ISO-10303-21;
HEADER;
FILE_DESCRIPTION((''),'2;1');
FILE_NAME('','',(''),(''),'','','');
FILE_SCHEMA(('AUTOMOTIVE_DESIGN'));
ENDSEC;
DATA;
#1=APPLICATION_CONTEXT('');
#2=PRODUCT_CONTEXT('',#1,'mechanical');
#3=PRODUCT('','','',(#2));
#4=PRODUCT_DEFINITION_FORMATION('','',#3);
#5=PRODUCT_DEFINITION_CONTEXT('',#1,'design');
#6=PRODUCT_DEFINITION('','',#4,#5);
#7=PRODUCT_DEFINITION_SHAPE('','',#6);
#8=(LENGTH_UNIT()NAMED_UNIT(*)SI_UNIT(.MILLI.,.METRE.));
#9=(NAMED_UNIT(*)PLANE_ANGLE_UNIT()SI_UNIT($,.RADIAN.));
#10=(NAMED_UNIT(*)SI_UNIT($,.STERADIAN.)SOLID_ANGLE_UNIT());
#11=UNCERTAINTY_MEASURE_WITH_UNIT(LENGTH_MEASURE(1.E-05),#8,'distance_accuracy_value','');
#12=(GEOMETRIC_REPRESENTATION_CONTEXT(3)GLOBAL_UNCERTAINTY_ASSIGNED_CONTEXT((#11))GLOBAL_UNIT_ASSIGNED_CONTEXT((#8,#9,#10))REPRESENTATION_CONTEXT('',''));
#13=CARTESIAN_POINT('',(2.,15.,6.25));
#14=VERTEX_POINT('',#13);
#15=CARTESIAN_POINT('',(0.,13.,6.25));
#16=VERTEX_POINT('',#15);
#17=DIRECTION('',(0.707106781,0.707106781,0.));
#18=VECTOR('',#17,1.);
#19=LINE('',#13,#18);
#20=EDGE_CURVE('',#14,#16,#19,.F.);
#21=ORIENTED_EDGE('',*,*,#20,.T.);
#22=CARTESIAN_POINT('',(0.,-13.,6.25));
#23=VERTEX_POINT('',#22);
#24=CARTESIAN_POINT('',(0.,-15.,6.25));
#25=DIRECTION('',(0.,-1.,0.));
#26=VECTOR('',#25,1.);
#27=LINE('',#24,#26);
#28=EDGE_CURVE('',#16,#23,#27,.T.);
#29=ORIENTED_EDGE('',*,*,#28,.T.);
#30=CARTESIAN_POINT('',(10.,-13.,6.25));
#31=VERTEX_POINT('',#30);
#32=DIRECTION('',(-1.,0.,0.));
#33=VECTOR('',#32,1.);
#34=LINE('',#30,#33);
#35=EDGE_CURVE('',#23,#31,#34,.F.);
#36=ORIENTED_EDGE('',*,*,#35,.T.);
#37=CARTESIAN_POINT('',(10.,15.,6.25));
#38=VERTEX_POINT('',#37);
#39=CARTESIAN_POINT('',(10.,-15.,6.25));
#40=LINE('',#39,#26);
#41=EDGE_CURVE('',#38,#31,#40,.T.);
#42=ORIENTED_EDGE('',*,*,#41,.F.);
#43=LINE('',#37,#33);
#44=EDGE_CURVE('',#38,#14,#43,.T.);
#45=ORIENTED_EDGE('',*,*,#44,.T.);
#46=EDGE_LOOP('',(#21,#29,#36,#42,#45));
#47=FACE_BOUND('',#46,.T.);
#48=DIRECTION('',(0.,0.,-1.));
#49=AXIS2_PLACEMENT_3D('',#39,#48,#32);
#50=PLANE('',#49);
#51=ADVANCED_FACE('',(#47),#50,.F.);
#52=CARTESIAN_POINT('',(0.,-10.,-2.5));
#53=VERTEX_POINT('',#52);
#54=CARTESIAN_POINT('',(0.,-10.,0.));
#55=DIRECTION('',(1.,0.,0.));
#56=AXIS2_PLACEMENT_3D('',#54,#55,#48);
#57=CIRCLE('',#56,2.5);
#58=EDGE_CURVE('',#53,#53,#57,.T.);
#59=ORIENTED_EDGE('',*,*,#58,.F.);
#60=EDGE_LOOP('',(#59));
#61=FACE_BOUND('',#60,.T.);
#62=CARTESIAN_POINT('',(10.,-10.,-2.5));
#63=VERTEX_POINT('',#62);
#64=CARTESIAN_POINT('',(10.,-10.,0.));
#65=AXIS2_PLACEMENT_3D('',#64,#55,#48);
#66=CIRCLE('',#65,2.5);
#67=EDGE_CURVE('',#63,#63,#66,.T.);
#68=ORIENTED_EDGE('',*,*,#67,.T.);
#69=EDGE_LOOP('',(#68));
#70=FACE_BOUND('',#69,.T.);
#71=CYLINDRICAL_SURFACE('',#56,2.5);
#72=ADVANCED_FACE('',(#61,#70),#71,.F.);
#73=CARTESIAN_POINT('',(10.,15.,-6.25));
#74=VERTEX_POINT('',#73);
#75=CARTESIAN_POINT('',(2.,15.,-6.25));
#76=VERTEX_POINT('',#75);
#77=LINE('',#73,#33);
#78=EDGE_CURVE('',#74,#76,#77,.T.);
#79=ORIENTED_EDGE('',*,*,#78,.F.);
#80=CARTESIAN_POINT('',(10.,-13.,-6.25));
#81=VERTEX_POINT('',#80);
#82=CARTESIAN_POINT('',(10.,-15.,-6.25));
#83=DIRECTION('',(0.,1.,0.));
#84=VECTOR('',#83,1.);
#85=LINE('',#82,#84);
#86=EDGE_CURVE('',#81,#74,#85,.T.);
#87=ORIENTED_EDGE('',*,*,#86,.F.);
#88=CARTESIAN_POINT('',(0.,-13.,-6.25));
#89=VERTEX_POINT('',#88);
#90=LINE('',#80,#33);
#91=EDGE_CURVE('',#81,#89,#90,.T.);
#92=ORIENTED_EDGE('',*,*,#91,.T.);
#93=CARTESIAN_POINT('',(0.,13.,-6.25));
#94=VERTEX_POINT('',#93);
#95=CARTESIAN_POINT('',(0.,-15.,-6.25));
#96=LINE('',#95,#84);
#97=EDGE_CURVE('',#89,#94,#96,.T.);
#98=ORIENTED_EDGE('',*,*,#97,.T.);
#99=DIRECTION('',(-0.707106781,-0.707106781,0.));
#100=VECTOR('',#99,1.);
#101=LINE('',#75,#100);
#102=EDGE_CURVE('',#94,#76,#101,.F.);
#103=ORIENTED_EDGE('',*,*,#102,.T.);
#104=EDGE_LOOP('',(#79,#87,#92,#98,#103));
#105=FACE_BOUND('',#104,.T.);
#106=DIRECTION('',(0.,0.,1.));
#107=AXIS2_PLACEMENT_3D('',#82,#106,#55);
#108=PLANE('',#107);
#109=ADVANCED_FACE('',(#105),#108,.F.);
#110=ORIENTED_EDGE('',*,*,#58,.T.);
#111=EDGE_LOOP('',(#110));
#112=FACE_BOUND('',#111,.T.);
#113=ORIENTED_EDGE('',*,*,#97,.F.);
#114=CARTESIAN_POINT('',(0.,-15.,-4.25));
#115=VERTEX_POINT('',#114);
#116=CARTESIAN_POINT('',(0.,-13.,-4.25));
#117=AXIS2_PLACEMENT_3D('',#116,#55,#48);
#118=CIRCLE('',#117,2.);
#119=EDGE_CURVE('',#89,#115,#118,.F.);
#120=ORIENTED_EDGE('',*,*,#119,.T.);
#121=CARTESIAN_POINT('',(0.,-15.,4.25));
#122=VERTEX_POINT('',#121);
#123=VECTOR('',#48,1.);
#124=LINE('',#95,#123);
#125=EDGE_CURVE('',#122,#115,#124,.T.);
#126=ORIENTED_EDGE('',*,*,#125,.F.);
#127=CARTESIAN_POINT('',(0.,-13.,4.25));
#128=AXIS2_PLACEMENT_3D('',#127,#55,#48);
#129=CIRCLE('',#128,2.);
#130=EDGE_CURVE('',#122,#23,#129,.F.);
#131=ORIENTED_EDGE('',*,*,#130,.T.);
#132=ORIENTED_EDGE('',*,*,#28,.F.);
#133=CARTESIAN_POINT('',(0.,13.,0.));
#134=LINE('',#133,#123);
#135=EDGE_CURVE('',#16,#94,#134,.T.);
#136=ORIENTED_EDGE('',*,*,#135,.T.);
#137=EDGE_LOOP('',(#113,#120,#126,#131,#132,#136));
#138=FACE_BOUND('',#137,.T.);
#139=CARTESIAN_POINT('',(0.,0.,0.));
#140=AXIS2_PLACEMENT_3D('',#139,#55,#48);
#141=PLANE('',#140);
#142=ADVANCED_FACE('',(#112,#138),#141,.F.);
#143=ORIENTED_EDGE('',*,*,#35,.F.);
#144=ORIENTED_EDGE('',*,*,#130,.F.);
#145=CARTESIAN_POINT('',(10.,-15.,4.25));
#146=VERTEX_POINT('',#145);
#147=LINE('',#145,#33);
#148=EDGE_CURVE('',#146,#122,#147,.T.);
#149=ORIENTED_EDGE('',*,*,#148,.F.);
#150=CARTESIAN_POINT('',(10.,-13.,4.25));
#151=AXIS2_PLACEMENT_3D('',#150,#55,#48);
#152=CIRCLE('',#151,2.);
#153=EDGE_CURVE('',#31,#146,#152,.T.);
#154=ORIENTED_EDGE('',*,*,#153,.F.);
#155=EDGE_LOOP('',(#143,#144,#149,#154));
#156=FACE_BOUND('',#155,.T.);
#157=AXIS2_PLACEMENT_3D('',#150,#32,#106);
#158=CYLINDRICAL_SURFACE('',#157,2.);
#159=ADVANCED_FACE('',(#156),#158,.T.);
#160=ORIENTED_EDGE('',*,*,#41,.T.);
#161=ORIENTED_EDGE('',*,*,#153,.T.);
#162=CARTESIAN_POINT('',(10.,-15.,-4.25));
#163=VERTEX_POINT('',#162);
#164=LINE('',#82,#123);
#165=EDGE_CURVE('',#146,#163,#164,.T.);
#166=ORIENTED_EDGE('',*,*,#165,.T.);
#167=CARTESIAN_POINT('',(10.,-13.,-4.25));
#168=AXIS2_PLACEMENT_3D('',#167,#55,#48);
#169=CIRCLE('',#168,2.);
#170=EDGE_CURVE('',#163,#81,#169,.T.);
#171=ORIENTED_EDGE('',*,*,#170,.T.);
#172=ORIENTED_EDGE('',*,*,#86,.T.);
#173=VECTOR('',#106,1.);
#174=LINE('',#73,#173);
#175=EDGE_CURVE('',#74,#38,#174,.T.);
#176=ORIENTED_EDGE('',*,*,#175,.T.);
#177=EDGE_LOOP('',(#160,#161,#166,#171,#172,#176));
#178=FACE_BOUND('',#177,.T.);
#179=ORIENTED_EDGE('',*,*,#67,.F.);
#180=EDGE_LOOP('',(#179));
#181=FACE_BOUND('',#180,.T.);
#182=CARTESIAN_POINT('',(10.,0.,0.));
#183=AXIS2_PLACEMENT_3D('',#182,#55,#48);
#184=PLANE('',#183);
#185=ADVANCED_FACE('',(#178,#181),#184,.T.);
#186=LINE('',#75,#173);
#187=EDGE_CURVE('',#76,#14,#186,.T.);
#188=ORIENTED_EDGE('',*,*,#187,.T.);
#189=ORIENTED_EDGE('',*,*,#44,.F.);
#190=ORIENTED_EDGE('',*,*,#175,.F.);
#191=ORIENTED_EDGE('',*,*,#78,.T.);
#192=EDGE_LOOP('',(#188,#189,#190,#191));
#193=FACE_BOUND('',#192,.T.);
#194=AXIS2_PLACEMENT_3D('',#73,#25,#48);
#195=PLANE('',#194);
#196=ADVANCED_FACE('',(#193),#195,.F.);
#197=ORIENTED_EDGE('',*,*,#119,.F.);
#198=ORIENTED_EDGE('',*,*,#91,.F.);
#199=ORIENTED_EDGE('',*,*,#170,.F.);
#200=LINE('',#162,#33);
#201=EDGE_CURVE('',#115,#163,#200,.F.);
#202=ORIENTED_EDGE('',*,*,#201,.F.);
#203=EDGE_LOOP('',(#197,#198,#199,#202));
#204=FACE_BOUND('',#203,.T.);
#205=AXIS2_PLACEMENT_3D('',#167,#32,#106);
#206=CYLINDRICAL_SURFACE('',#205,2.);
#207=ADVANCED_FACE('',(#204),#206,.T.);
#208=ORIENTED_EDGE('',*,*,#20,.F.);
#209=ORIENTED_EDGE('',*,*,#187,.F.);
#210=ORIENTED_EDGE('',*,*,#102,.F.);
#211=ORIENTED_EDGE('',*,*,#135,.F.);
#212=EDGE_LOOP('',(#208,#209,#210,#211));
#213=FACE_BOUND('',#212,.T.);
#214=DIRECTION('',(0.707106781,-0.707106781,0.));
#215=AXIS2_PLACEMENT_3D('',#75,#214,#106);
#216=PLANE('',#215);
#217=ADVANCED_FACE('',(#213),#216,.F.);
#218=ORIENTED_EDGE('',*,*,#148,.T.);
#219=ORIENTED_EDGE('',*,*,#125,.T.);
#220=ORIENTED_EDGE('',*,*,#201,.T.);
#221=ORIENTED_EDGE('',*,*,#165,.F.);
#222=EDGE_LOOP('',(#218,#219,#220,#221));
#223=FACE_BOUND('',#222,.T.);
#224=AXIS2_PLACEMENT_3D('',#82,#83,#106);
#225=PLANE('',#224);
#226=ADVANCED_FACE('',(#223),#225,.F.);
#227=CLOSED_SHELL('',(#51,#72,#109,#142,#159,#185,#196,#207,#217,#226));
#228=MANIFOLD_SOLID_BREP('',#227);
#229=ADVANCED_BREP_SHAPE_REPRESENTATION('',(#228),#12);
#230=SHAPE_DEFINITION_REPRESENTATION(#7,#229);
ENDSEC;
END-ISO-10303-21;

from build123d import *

# Parameters (mm, degrees)
SKETCH_1_W               = 12.5
SKETCH_1_H               = 30
EXTRUDE_1_DEPTH          = 10
CUT_EXTRUDE_1_DEPTH      = 20.080421903
CUT_EXTRUDE_1_DEPTH_BACK = 20.080421903
SKETCH_2_R               = 2.5
FILLET_1_R               = 2
CHAMFER_1_SIZE           = 2


with BuildPart() as part:
    # 草图1 → 凸台-拉伸1 (new body)
    with BuildSketch(Plane(origin=(0, 0, 0), x_dir=(0, 0, -1), z_dir=(1, 0, 0))):
        Rectangle(SKETCH_1_W, SKETCH_1_H)
    extrude(amount=EXTRUDE_1_DEPTH)

    # 草图2 → 切除-拉伸1 (cut, two sides: drawn at the far end of the back side and taken through both)
    with BuildSketch(Plane(origin=(10, 0, 0), x_dir=(0, 0, -1), z_dir=(1, 0, 0)).offset(-CUT_EXTRUDE_1_DEPTH_BACK)):
        with Locations((0, -10)):
            Circle(SKETCH_2_R)
    extrude(amount=CUT_EXTRUDE_1_DEPTH + CUT_EXTRUDE_1_DEPTH_BACK, mode=Mode.SUBTRACT)

    # 圆角1
    fillet_1_edges = [part.edges().sort_by_distance(p)[0] for p in [
        (5, -15, -6.25),
        (5, -15, 6.25),
    ]]
    fillet(fillet_1_edges, radius=FILLET_1_R)

    # 倒角1
    chamfer_1_edges = [part.edges().sort_by_distance(p)[0] for p in [
        (0, 15, 0),
    ]]
    chamfer(chamfer_1_edges, length=CHAMFER_1_SIZE)


solid = part.part
